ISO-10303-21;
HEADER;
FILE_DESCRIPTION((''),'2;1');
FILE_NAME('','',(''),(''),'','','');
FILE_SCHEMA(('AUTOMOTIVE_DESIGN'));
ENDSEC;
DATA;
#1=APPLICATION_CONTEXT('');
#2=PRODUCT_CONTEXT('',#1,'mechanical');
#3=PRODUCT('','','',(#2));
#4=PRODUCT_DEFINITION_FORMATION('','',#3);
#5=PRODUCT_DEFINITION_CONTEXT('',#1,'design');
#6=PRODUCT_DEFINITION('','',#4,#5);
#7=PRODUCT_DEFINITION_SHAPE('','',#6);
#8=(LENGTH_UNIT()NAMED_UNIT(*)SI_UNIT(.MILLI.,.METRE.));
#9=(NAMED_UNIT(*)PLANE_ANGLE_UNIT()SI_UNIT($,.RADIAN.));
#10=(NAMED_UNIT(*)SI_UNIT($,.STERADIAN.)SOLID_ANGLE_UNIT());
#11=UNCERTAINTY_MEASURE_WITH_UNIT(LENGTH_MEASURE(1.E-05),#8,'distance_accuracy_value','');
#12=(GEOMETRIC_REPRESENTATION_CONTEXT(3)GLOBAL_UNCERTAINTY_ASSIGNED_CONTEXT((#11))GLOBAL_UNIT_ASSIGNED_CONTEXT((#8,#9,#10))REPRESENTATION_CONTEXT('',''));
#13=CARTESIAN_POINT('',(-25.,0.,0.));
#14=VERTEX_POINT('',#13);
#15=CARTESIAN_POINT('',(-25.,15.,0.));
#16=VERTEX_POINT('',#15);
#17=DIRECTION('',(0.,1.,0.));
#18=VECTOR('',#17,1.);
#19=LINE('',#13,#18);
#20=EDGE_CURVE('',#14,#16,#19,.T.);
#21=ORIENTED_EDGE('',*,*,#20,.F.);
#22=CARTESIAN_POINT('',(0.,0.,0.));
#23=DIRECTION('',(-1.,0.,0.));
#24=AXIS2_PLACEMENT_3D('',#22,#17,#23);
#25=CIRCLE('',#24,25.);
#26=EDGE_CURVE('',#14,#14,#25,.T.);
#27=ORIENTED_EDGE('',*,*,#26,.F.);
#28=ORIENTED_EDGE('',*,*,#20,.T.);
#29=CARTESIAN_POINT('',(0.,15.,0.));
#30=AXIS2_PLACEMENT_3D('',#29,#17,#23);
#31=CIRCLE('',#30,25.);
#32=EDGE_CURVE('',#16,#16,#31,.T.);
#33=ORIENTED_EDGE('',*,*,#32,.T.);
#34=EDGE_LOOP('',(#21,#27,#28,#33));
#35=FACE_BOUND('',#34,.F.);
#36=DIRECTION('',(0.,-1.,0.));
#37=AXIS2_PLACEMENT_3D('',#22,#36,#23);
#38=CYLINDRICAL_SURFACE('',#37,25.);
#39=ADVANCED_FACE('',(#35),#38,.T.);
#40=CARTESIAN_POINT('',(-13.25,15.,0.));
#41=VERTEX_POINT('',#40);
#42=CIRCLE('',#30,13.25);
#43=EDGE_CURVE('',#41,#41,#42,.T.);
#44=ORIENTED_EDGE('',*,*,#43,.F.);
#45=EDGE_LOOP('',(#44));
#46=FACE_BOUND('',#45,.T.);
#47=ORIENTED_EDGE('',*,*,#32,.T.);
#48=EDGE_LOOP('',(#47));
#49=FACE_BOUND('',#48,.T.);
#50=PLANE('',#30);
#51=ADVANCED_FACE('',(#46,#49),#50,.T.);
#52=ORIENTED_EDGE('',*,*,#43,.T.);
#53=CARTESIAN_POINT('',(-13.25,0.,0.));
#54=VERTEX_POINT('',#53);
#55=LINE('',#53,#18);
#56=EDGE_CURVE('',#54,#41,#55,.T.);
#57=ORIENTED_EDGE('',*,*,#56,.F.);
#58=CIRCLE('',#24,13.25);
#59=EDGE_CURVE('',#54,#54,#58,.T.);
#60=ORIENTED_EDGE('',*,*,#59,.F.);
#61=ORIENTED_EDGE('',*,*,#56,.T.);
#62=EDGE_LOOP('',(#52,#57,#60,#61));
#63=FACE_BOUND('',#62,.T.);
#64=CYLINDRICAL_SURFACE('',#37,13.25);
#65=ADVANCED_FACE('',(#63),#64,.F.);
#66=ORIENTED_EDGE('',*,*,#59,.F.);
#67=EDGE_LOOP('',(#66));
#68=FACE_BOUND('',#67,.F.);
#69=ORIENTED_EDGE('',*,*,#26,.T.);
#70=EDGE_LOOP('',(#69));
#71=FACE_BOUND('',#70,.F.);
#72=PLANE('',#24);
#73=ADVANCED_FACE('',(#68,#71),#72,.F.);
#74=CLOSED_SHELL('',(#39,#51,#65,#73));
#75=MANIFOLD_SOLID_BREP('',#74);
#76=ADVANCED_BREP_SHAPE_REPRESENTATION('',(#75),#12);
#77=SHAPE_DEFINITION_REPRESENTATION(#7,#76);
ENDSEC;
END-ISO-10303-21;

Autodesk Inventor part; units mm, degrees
ref_plane "YZ Plane" through (0, 0, 0) normal (1, 0, 0) x (0, 1, 0)
ref_plane "XZ Plane" through (0, 0, 0) normal (0, 1, 0) x (-1, 0, 0)
ref_plane "XY Plane" through (0, 0, 0) normal (0, 0, 1) x (1, 0, 0)
sketch "Sketch1" plane through (0, 0, 0) normal (0, 1, 0) x (-1, 0, 0)
  circle A0 centre (0, 0) radius 13.25
  circle A1 centre (0, 0) radius 25
  dimension "d0" = 26.5
  dimension "d1" = 50
extrude "Extrusion1" add sketch "Sketch1" along normal blind 15
properties part number "pole_gear_v1" material "Gold"
